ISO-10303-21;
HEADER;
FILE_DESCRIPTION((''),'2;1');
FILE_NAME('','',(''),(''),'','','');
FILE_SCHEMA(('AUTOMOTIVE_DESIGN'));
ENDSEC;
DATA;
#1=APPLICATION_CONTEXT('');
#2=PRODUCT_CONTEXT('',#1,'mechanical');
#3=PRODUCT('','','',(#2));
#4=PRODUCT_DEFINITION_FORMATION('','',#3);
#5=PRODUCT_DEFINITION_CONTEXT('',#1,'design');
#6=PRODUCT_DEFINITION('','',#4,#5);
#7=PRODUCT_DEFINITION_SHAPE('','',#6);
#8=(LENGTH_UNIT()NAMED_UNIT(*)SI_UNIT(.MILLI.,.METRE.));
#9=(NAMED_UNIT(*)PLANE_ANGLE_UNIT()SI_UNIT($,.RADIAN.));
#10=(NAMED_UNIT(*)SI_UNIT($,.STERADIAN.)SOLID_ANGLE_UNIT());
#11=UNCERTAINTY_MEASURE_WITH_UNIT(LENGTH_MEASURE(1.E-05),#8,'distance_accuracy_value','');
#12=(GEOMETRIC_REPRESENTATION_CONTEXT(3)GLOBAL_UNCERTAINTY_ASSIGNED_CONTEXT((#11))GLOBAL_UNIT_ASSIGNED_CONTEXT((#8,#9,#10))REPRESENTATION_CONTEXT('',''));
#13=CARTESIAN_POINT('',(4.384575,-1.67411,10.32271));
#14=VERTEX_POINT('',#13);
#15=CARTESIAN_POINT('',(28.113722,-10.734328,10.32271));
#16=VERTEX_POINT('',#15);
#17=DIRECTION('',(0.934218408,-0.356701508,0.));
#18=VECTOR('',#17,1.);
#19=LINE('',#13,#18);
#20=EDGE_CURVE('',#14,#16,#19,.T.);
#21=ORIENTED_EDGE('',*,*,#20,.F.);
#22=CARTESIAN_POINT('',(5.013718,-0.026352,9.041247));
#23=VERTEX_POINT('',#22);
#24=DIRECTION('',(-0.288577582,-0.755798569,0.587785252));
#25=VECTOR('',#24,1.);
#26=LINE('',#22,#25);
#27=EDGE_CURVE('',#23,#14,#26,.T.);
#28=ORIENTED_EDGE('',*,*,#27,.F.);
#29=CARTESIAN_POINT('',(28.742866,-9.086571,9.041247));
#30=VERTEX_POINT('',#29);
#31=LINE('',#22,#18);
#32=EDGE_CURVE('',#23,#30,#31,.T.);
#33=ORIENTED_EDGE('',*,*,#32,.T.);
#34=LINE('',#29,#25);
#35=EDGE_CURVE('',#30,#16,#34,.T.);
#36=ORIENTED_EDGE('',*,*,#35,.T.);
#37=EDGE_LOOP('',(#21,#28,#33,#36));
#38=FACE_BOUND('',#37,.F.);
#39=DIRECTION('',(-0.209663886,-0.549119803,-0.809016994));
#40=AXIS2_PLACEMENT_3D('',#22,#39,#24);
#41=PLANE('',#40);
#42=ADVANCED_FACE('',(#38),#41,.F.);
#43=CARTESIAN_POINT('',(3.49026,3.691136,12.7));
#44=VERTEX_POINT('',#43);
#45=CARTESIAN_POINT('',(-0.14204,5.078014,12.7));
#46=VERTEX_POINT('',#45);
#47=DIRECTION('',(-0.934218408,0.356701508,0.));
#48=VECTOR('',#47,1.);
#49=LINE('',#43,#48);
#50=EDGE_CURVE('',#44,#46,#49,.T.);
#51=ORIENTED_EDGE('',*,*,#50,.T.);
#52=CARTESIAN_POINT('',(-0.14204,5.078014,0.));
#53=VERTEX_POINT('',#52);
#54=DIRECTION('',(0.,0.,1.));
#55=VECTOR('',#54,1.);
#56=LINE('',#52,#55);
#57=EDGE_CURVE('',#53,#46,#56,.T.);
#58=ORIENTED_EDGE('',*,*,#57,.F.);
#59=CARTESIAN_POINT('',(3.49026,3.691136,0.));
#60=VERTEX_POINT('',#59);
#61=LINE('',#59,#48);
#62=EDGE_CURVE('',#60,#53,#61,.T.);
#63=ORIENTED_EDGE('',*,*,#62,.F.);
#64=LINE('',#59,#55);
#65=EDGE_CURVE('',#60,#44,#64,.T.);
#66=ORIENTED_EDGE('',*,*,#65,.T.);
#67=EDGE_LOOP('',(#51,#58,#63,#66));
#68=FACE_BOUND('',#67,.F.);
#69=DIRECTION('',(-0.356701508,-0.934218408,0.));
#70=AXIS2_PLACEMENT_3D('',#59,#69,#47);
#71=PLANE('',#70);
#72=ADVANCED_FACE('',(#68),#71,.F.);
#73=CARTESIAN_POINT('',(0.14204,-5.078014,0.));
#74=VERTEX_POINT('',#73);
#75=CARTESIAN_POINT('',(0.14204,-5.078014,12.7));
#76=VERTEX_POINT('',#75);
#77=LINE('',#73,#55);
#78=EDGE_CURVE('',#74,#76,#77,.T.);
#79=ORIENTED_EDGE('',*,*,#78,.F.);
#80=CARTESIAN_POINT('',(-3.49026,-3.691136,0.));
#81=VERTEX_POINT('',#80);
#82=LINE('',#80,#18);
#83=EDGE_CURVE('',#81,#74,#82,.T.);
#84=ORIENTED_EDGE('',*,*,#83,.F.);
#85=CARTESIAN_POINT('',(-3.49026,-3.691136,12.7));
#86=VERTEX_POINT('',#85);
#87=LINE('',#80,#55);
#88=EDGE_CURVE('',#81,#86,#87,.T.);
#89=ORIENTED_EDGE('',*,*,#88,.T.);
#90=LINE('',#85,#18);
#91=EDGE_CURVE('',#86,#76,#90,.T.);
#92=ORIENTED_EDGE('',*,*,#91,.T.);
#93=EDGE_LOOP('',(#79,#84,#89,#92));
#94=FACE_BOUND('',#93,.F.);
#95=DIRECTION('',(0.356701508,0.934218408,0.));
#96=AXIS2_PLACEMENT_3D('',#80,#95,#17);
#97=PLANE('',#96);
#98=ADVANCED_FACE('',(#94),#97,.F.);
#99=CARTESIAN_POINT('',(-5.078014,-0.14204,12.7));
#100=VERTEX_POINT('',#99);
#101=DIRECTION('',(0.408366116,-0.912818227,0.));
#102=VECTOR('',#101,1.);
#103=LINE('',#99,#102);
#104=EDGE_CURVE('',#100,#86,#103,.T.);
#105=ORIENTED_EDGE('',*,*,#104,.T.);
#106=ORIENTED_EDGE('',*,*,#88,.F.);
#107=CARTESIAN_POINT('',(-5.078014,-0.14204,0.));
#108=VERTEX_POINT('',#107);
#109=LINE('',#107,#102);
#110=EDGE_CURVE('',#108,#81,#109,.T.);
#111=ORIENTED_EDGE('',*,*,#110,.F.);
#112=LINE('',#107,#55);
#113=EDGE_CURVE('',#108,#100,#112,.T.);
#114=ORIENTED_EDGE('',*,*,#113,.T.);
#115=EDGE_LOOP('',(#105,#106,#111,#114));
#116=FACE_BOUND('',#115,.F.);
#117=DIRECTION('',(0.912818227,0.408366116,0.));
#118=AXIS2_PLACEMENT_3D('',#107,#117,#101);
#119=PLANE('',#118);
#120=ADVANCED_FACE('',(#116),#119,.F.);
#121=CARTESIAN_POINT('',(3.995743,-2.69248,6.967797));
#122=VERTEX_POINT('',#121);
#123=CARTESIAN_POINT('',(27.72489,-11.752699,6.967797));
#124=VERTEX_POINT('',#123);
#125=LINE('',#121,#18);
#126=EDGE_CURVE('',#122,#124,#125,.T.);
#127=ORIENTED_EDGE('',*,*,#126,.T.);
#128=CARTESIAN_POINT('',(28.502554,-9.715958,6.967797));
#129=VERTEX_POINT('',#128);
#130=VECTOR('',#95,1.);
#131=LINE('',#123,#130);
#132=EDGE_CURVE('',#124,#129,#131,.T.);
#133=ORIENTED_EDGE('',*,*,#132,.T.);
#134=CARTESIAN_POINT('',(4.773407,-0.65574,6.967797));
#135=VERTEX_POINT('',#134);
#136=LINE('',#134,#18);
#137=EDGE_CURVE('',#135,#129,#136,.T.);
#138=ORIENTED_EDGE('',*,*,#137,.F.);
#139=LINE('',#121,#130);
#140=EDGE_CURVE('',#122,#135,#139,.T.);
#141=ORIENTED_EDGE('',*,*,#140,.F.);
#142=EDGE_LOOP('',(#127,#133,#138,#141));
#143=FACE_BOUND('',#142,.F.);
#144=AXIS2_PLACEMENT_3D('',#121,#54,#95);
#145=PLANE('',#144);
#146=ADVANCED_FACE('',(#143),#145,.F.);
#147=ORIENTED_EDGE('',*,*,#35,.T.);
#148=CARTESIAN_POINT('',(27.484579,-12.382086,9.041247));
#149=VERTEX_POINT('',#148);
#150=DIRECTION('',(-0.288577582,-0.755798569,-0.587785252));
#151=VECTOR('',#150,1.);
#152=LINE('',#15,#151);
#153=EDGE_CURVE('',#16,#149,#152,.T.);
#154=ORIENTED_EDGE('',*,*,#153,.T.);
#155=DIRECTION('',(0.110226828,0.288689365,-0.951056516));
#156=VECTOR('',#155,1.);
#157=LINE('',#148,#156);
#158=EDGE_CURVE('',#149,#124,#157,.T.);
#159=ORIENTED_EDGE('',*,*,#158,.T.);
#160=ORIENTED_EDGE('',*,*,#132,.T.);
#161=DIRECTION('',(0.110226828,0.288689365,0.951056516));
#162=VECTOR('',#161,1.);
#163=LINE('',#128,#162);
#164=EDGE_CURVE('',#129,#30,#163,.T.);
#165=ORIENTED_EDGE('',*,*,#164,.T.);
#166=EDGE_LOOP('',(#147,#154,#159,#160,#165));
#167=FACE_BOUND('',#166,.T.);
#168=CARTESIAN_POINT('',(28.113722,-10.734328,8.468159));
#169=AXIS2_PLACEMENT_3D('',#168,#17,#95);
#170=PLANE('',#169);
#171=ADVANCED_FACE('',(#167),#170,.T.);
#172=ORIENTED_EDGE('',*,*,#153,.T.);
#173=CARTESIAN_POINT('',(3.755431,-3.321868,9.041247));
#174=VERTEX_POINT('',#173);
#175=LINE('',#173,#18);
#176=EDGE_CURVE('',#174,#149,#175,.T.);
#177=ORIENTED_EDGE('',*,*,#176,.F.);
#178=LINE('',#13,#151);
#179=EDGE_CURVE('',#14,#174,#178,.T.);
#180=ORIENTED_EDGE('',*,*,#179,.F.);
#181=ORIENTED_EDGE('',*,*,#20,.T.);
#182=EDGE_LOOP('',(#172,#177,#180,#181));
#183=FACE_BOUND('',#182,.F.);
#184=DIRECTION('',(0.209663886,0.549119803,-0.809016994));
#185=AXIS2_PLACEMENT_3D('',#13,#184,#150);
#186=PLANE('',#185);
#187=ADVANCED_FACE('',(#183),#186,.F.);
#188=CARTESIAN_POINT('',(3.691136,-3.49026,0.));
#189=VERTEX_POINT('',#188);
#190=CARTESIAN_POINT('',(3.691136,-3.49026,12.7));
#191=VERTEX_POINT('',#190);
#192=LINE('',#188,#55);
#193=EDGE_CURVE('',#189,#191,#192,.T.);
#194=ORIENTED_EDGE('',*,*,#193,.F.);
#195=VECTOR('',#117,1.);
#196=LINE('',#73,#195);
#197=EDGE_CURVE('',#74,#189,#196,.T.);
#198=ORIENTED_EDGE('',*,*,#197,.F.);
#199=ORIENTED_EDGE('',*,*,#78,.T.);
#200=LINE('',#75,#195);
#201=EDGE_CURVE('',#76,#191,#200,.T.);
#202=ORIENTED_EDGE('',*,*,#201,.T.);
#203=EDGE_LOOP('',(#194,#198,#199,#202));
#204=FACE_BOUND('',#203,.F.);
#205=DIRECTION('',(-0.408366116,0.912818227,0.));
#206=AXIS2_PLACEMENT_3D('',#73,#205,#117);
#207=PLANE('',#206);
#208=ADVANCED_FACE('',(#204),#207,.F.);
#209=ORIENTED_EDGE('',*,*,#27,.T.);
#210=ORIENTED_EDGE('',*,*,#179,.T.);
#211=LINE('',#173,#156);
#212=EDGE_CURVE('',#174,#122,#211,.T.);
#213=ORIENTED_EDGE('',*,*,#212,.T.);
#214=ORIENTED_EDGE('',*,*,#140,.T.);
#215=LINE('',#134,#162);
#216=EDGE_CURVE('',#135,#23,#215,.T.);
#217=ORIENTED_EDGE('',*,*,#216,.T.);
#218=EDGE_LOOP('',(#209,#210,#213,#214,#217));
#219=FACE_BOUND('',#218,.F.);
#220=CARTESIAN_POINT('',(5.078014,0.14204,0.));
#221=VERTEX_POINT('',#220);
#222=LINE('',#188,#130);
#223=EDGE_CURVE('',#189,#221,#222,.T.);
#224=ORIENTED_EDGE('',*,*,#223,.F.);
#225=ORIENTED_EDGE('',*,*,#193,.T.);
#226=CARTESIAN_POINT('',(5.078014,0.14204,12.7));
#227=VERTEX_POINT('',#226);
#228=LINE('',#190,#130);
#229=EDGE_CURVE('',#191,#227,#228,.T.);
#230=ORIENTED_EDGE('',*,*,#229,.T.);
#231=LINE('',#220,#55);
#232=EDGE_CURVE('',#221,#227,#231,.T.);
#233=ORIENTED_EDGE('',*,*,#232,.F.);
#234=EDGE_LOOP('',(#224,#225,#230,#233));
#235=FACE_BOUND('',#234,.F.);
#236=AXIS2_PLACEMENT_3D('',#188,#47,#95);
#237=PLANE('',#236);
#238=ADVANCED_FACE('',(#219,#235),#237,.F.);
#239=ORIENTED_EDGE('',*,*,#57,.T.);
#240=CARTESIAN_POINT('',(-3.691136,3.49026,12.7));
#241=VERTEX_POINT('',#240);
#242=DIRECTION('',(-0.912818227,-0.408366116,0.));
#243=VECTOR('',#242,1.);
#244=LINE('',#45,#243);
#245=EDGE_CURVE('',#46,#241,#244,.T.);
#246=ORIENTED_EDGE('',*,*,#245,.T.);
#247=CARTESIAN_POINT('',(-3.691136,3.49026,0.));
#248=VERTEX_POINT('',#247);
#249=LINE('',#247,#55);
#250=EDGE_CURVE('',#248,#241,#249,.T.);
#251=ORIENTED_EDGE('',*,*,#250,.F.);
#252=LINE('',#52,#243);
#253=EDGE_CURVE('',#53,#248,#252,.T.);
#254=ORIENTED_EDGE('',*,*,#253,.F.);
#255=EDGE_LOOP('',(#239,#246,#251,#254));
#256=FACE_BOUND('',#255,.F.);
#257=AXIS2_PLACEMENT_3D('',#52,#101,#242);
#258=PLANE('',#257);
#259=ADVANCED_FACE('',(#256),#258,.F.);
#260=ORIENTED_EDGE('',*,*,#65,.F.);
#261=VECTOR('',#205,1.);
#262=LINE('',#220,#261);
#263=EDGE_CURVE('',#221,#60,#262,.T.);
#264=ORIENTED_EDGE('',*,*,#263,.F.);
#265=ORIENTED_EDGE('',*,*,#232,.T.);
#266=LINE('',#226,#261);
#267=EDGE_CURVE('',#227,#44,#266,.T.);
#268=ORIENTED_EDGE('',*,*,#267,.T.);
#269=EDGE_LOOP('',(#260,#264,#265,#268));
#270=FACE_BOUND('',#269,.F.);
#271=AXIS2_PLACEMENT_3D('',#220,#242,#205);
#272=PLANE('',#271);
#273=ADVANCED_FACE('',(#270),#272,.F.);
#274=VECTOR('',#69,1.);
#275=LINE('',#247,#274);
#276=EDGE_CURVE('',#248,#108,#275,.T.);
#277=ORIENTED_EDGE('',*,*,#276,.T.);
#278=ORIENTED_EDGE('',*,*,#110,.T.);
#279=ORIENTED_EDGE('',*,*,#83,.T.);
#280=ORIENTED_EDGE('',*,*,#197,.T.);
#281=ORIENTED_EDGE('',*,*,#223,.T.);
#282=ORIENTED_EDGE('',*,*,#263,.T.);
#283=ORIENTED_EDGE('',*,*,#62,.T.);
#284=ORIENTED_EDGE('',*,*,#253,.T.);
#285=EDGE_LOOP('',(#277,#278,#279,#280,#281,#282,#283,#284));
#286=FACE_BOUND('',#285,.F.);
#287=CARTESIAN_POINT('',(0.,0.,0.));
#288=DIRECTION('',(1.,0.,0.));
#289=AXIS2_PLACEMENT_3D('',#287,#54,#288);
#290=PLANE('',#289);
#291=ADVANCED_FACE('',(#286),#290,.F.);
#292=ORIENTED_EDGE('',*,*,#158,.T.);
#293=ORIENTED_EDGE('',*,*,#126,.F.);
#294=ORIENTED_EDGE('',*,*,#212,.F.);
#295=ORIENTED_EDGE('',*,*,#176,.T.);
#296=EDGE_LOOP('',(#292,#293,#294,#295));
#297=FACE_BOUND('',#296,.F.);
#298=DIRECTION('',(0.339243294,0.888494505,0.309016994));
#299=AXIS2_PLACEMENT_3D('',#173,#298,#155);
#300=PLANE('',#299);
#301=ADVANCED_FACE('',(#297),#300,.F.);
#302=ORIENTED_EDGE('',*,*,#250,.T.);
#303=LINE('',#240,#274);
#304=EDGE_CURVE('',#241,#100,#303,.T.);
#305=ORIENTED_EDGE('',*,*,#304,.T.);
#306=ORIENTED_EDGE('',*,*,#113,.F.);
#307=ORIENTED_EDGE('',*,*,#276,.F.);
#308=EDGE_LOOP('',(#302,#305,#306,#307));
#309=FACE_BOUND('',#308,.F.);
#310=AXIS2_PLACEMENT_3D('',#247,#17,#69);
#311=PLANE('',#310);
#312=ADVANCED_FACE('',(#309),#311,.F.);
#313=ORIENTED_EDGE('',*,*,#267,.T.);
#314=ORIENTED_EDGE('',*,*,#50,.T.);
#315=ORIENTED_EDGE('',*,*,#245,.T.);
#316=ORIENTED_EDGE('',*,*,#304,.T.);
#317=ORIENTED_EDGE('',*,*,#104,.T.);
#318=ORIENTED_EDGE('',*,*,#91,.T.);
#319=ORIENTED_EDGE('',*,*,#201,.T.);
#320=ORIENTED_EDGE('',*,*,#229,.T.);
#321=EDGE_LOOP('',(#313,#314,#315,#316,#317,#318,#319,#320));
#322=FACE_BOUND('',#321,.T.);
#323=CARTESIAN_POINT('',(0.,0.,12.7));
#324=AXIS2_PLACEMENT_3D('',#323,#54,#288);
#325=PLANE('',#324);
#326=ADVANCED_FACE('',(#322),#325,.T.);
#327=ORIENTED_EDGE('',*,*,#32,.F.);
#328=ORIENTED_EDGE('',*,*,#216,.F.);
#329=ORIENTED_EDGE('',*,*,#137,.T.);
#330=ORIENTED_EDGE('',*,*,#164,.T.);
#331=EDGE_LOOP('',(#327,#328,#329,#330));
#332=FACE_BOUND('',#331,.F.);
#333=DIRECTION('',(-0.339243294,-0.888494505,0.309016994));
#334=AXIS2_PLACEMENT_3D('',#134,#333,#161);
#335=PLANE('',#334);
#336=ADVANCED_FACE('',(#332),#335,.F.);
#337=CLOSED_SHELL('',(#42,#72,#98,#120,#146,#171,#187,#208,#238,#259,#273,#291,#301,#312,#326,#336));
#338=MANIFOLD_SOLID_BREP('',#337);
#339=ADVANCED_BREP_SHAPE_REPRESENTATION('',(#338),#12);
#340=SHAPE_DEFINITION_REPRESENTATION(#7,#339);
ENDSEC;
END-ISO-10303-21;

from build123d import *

# Parameters (mm, degrees)
F1_DEPTH = 12.7
F3_DEPTH = 25.4


with BuildPart() as f1:
    # F0 (on Top) → F1 (new body)
    with BuildSketch(Plane.XY):
        Polygon((-5.0780138401, -0.1420402769), (-3.4902603783, -3.6911356642), (0.1420402769, -5.0780138401), (3.6911356642, -3.4902603783), (5.0780138401, 0.1420402769), (3.4902603783, 3.6911356642), (-0.1420402769, 5.0780138401), (-3.6911356642, 3.4902603783), align=None)
    extrude(amount=F1_DEPTH)

    # F2 (on face) → F3 (join)
    with BuildSketch(Plane(origin=(4.3845747521, -1.6741100507, 0), x_dir=(0.3567015081, 0.9342184081, 0), z_dir=(0.9342184081, -0.3567015081, 0))):
        Polygon((-1.0900771857, 6.9677969441), (1.0900771857, 6.9677969441), (1.7637819369, 9.0412469656), (0, 10.3227095528), (-1.7637819369, 9.0412469656), align=None)
    extrude(amount=F3_DEPTH)


solid = f1.part
